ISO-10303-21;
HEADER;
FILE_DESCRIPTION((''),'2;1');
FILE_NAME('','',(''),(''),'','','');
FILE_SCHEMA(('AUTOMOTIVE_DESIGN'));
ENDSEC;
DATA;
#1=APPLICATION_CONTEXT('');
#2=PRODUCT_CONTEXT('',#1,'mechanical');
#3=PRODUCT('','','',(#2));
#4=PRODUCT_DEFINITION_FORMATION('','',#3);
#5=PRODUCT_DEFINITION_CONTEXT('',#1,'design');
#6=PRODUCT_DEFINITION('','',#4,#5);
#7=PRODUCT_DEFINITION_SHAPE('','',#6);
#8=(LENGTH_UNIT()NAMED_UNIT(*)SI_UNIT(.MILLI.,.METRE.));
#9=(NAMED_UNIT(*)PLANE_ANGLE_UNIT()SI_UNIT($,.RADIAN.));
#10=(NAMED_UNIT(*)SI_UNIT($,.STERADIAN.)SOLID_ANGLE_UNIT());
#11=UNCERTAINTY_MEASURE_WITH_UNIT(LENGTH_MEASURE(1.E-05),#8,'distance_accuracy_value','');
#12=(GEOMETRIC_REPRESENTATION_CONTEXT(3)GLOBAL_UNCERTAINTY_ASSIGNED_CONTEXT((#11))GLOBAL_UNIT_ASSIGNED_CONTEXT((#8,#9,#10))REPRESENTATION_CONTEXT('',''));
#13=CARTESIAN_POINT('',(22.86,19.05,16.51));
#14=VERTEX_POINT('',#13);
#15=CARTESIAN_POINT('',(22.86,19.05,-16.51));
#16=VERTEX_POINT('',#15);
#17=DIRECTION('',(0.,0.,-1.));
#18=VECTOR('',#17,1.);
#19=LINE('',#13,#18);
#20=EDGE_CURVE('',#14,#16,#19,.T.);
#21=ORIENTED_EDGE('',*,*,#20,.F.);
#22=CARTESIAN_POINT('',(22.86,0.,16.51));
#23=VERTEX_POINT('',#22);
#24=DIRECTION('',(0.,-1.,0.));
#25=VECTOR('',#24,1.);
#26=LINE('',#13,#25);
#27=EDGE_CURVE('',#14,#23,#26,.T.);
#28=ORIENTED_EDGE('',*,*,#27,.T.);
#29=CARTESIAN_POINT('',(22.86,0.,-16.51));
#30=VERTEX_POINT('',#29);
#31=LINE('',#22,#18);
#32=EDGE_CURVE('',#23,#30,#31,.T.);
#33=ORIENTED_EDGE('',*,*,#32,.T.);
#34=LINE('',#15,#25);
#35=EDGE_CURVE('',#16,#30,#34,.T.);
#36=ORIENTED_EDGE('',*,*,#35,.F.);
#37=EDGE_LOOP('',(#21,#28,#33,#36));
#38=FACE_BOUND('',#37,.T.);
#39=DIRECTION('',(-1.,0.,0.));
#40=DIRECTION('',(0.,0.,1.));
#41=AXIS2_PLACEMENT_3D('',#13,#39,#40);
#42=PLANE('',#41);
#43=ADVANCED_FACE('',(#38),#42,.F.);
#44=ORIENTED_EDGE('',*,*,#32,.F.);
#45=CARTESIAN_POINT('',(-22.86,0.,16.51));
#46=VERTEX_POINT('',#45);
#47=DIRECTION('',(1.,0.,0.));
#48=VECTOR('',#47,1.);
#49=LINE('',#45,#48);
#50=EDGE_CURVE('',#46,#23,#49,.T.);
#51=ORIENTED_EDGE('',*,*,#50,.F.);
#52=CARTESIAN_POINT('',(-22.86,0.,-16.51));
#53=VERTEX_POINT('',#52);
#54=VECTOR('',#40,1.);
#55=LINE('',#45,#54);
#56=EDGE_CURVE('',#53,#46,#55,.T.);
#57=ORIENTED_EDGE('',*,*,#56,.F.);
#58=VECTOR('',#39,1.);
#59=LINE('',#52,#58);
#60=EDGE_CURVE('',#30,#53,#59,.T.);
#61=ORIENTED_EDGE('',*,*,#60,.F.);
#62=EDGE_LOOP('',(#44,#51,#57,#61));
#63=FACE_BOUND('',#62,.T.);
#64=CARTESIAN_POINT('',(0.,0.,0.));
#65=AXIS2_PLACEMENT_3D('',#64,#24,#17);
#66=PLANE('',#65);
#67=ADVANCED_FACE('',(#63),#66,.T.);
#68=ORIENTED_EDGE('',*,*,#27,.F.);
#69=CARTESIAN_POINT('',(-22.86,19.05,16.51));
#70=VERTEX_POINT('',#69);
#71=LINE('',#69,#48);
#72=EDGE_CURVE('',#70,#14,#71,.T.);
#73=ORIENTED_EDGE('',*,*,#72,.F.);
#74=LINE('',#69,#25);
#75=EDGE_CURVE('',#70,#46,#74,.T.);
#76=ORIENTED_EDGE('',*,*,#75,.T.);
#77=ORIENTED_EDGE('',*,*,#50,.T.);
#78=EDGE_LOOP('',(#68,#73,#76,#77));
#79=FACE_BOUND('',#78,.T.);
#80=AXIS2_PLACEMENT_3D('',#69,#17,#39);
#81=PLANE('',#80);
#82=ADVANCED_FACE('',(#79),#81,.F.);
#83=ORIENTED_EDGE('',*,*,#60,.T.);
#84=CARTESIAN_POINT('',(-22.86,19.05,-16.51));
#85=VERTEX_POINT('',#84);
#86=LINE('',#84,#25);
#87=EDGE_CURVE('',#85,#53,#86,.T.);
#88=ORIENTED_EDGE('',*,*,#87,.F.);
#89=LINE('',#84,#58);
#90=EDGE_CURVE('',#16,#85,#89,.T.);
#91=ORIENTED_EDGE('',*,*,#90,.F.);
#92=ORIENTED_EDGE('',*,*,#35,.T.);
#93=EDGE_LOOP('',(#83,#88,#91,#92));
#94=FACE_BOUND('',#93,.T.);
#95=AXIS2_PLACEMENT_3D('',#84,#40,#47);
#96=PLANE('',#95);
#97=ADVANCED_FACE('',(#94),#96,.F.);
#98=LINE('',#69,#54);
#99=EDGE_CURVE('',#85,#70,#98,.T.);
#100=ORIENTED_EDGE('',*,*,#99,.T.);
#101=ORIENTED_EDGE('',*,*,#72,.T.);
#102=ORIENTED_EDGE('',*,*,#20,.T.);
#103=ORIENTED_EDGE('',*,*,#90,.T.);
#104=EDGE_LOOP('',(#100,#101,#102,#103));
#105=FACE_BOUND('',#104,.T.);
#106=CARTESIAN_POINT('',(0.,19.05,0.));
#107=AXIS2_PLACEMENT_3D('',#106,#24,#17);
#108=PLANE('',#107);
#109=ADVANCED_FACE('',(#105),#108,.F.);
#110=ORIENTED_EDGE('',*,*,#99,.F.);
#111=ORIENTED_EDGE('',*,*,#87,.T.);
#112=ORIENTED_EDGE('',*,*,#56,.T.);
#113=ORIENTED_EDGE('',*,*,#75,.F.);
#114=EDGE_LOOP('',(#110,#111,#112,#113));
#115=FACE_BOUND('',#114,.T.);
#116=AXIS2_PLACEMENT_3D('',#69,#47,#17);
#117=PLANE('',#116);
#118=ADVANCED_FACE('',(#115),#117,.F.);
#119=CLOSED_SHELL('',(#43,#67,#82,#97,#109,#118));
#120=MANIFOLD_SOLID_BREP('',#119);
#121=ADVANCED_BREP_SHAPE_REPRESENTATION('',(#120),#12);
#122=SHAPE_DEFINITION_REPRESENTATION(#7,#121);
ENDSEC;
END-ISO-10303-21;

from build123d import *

# Parameters (mm, degrees)
SKETCH1_W           = 45.72
SKETCH1_H           = 33.02
BOSS_EXTRUDE1_DEPTH = 19.05


with BuildPart() as part:
    # Sketch1 → Boss-Extrude1 (new body)
    with BuildSketch(Plane(origin=(0, 0, 0), x_dir=(1, 0, 0), z_dir=(0, 1, 0))):
        Rectangle(SKETCH1_W, SKETCH1_H)
    extrude(amount=BOSS_EXTRUDE1_DEPTH)


solid = part.part
